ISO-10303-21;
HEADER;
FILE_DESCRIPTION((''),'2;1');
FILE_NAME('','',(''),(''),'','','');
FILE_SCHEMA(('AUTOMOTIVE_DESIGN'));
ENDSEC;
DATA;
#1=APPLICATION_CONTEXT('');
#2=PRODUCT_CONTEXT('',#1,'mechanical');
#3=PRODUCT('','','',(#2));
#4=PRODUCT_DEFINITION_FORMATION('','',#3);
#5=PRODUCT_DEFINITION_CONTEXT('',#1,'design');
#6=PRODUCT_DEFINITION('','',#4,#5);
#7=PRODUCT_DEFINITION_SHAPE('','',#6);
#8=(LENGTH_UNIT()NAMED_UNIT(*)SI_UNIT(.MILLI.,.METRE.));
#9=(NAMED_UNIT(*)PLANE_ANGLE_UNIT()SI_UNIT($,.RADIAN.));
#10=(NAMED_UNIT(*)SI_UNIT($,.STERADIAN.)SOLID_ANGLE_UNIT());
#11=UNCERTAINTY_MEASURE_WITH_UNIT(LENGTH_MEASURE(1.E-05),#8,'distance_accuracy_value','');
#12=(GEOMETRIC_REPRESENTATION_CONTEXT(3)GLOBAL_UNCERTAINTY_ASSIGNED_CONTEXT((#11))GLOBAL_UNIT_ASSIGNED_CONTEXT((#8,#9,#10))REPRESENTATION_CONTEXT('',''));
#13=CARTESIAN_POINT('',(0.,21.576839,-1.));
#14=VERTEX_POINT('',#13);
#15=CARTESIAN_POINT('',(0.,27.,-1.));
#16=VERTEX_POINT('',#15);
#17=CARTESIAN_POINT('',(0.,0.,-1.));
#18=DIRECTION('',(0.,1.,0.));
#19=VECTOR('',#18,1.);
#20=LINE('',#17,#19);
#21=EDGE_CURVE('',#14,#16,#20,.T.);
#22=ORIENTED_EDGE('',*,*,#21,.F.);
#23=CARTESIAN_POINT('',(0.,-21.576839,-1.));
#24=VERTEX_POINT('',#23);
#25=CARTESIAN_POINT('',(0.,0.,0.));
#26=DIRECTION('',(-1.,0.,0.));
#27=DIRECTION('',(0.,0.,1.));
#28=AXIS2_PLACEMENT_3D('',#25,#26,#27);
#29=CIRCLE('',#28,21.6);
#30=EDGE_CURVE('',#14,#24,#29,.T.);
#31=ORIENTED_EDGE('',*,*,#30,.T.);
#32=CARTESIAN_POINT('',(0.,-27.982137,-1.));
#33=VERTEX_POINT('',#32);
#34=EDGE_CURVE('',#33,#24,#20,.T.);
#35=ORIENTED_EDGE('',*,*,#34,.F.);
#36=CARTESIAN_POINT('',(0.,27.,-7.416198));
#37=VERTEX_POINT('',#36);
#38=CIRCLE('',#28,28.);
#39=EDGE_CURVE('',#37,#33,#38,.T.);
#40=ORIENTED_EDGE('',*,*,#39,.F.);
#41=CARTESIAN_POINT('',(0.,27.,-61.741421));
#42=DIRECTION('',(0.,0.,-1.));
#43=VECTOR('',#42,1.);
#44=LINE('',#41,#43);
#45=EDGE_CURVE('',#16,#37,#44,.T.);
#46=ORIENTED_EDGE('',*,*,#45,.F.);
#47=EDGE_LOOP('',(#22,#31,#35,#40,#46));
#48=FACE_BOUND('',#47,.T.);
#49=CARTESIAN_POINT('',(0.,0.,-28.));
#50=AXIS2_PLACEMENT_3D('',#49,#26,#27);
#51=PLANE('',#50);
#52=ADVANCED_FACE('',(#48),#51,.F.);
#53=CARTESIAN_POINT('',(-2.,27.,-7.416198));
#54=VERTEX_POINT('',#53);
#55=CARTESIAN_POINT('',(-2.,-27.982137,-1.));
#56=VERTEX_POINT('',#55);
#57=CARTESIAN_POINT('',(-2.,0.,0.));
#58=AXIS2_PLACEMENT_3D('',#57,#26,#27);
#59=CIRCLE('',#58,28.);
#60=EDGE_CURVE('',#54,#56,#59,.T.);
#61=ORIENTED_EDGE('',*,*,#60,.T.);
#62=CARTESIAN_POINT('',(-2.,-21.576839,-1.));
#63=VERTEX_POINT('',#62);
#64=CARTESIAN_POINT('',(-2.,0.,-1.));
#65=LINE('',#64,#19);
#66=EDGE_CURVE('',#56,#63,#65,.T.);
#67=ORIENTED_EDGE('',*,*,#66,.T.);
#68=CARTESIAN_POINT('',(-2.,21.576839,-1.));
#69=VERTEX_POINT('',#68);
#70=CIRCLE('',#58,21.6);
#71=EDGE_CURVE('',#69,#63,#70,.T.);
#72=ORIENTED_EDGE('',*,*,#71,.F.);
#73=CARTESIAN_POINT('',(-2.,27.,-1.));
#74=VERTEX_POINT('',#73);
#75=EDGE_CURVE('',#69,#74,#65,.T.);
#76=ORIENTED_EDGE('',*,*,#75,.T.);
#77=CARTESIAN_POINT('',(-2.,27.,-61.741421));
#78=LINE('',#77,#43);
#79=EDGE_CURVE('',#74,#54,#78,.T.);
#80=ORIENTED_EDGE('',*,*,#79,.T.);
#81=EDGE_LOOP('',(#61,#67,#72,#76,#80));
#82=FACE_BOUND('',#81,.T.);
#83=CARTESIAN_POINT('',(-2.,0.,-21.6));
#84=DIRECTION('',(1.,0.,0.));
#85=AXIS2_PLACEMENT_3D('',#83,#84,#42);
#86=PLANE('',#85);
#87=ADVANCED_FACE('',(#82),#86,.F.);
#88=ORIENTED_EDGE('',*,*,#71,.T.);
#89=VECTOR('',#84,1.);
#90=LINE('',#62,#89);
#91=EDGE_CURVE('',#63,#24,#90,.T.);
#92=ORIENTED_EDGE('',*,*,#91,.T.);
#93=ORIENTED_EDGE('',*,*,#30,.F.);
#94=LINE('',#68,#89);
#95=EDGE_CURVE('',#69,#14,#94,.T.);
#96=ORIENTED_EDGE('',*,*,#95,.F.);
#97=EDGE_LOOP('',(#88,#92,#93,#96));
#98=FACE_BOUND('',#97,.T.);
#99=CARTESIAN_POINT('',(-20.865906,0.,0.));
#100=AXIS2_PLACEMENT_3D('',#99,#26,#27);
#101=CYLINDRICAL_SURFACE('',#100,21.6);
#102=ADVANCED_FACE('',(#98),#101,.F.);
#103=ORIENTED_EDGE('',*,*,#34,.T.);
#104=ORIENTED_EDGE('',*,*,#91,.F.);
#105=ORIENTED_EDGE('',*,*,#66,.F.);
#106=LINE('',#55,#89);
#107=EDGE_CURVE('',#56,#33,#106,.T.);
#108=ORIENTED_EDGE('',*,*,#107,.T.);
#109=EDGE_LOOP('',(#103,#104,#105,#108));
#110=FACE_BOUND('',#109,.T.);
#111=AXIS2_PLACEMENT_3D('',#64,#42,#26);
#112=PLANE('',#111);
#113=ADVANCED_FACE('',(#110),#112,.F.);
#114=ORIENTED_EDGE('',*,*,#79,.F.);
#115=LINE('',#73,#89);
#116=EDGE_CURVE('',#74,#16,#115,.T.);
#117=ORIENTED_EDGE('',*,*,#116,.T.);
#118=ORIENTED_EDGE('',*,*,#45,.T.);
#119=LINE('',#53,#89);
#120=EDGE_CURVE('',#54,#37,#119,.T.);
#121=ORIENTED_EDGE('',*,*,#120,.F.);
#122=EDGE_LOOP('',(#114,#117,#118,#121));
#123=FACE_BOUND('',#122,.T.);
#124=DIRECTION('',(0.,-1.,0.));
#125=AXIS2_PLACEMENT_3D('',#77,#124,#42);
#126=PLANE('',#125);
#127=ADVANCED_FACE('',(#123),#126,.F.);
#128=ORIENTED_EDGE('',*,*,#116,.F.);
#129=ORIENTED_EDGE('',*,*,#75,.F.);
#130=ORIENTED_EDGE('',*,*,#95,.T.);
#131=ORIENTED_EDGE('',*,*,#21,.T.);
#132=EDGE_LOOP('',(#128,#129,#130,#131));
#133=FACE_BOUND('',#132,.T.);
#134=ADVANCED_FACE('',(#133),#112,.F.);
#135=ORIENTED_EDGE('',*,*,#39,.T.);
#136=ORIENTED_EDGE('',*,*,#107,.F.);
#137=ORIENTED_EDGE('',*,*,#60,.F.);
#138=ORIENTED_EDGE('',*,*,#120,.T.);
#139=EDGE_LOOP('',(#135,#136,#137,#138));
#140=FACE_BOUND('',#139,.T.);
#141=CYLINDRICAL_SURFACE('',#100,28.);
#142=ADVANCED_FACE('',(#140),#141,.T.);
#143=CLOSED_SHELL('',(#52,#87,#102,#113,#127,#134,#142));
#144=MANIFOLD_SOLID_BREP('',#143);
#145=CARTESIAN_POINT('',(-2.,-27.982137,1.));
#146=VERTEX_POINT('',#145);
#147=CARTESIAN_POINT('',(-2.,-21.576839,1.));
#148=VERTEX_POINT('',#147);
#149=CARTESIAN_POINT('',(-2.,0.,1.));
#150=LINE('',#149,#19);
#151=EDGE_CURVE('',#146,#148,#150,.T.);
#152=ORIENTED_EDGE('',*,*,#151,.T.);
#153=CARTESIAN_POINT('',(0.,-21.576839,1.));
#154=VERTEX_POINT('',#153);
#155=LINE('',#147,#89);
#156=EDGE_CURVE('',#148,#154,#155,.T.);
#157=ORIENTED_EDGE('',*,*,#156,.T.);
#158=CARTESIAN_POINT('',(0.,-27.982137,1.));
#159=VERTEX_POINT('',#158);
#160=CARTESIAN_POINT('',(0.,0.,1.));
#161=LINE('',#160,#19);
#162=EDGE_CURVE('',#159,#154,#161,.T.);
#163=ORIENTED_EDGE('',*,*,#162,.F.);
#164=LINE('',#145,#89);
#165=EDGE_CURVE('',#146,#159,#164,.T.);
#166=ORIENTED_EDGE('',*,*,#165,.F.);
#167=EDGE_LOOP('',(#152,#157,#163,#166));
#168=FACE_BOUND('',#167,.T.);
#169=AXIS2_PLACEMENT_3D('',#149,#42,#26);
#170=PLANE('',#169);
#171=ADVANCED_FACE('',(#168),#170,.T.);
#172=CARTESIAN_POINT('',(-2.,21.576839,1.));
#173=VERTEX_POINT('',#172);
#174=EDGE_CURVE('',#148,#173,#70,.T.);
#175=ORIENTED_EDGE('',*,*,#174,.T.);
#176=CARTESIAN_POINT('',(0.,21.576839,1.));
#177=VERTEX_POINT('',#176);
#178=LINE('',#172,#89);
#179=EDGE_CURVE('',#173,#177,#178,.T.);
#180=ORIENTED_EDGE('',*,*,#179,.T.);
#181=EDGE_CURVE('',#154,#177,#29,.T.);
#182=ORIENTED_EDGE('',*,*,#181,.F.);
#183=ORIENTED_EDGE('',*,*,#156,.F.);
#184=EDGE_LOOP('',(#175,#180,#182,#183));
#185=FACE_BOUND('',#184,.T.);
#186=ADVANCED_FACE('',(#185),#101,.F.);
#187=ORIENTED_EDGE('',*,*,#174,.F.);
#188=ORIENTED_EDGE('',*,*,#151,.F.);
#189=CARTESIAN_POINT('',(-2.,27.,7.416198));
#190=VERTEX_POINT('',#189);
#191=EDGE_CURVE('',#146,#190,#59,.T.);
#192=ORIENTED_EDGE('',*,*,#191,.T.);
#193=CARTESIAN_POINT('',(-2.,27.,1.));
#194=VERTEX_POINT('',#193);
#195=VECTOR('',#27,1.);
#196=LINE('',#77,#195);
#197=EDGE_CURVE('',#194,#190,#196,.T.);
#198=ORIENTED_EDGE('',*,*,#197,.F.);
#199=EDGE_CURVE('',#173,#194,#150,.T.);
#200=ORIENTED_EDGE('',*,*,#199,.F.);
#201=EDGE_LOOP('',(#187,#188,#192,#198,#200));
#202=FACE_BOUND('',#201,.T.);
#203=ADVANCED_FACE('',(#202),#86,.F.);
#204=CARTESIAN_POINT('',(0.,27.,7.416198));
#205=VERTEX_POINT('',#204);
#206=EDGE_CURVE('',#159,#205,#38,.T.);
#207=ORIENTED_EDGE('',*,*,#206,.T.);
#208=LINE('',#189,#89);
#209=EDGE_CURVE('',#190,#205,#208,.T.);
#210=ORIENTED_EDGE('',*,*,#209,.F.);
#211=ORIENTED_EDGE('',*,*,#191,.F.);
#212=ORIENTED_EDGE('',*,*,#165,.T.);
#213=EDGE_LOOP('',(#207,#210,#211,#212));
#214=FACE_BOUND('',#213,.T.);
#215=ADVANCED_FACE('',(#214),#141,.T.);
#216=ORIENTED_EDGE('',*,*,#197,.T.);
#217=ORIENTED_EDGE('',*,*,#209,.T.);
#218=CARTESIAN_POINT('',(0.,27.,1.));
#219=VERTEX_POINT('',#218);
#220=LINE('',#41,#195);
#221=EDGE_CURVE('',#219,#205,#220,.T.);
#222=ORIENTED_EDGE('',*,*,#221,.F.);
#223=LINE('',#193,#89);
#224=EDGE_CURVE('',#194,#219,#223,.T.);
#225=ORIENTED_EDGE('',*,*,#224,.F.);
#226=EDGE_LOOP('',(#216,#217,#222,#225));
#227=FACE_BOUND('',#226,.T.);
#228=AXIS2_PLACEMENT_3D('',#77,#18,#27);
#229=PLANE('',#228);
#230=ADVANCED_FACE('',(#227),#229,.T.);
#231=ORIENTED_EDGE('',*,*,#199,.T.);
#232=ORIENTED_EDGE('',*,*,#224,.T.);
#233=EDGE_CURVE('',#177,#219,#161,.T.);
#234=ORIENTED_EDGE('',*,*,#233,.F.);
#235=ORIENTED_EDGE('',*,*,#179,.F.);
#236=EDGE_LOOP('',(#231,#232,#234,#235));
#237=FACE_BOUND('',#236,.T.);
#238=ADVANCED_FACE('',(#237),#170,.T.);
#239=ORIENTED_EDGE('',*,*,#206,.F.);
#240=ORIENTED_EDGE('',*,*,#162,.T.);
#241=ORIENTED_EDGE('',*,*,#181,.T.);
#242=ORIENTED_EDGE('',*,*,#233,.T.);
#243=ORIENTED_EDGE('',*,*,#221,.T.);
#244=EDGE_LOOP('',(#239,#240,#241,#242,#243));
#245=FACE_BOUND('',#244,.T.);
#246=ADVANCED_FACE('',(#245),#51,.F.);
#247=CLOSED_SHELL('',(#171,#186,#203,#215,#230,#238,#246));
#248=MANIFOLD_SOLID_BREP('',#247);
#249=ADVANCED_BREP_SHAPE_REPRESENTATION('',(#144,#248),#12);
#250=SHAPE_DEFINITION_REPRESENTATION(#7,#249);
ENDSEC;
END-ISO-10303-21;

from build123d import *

# Parameters (mm, degrees)
SKETCH_1_W          = 2
SKETCH_1_H          = 6.4
CUT_EXTRUDE_1_DEPTH = 3


with BuildPart() as part:
    # Эскиз1 → Повернуть1 (revolve)
    with BuildSketch(Plane(origin=(0, 0, 0), x_dir=(1, 0, 0), z_dir=(0, 1, 0))):
        with Locations((-1, 24.8)):
            Rectangle(SKETCH_1_W, SKETCH_1_H)
    revolve(axis=Axis((-20.865906448, 0, 0), (1, 0, 0)))

    # Эскиз2 → Вырез-Вытянуть1 (cut, through all)
    with BuildSketch(Plane(origin=(0, 0, 0), x_dir=(0, 0, -1), z_dir=(1, 0, 0))):
        with BuildLine():
            ThreePointArc((-1, -27.982137159), (0, -28), (1, -27.982137159))
            Line((1, -27.982137159), (1, -21.576839435))
            ThreePointArc((1, -21.576839435), (0, -21.6), (-1, -21.576839435))
            Line((-1, -21.576839435), (-1, -27.982137159))
        make_face()
        with BuildLine():
            ThreePointArc((-1, 21.576839435), (0, 21.6), (1, 21.576839435))
            Line((1, 21.576839435), (1, 27))
            Line((1, 27), (7.416198487, 27))
            ThreePointArc((7.416198487, 27), (0, 28), (-7.416198487, 27))
            Line((-7.416198487, 27), (-1, 27))
            Line((-1, 27), (-1, 21.576839435))
        make_face()
    extrude(amount=-CUT_EXTRUDE_1_DEPTH, mode=Mode.SUBTRACT)


solid = part.part
